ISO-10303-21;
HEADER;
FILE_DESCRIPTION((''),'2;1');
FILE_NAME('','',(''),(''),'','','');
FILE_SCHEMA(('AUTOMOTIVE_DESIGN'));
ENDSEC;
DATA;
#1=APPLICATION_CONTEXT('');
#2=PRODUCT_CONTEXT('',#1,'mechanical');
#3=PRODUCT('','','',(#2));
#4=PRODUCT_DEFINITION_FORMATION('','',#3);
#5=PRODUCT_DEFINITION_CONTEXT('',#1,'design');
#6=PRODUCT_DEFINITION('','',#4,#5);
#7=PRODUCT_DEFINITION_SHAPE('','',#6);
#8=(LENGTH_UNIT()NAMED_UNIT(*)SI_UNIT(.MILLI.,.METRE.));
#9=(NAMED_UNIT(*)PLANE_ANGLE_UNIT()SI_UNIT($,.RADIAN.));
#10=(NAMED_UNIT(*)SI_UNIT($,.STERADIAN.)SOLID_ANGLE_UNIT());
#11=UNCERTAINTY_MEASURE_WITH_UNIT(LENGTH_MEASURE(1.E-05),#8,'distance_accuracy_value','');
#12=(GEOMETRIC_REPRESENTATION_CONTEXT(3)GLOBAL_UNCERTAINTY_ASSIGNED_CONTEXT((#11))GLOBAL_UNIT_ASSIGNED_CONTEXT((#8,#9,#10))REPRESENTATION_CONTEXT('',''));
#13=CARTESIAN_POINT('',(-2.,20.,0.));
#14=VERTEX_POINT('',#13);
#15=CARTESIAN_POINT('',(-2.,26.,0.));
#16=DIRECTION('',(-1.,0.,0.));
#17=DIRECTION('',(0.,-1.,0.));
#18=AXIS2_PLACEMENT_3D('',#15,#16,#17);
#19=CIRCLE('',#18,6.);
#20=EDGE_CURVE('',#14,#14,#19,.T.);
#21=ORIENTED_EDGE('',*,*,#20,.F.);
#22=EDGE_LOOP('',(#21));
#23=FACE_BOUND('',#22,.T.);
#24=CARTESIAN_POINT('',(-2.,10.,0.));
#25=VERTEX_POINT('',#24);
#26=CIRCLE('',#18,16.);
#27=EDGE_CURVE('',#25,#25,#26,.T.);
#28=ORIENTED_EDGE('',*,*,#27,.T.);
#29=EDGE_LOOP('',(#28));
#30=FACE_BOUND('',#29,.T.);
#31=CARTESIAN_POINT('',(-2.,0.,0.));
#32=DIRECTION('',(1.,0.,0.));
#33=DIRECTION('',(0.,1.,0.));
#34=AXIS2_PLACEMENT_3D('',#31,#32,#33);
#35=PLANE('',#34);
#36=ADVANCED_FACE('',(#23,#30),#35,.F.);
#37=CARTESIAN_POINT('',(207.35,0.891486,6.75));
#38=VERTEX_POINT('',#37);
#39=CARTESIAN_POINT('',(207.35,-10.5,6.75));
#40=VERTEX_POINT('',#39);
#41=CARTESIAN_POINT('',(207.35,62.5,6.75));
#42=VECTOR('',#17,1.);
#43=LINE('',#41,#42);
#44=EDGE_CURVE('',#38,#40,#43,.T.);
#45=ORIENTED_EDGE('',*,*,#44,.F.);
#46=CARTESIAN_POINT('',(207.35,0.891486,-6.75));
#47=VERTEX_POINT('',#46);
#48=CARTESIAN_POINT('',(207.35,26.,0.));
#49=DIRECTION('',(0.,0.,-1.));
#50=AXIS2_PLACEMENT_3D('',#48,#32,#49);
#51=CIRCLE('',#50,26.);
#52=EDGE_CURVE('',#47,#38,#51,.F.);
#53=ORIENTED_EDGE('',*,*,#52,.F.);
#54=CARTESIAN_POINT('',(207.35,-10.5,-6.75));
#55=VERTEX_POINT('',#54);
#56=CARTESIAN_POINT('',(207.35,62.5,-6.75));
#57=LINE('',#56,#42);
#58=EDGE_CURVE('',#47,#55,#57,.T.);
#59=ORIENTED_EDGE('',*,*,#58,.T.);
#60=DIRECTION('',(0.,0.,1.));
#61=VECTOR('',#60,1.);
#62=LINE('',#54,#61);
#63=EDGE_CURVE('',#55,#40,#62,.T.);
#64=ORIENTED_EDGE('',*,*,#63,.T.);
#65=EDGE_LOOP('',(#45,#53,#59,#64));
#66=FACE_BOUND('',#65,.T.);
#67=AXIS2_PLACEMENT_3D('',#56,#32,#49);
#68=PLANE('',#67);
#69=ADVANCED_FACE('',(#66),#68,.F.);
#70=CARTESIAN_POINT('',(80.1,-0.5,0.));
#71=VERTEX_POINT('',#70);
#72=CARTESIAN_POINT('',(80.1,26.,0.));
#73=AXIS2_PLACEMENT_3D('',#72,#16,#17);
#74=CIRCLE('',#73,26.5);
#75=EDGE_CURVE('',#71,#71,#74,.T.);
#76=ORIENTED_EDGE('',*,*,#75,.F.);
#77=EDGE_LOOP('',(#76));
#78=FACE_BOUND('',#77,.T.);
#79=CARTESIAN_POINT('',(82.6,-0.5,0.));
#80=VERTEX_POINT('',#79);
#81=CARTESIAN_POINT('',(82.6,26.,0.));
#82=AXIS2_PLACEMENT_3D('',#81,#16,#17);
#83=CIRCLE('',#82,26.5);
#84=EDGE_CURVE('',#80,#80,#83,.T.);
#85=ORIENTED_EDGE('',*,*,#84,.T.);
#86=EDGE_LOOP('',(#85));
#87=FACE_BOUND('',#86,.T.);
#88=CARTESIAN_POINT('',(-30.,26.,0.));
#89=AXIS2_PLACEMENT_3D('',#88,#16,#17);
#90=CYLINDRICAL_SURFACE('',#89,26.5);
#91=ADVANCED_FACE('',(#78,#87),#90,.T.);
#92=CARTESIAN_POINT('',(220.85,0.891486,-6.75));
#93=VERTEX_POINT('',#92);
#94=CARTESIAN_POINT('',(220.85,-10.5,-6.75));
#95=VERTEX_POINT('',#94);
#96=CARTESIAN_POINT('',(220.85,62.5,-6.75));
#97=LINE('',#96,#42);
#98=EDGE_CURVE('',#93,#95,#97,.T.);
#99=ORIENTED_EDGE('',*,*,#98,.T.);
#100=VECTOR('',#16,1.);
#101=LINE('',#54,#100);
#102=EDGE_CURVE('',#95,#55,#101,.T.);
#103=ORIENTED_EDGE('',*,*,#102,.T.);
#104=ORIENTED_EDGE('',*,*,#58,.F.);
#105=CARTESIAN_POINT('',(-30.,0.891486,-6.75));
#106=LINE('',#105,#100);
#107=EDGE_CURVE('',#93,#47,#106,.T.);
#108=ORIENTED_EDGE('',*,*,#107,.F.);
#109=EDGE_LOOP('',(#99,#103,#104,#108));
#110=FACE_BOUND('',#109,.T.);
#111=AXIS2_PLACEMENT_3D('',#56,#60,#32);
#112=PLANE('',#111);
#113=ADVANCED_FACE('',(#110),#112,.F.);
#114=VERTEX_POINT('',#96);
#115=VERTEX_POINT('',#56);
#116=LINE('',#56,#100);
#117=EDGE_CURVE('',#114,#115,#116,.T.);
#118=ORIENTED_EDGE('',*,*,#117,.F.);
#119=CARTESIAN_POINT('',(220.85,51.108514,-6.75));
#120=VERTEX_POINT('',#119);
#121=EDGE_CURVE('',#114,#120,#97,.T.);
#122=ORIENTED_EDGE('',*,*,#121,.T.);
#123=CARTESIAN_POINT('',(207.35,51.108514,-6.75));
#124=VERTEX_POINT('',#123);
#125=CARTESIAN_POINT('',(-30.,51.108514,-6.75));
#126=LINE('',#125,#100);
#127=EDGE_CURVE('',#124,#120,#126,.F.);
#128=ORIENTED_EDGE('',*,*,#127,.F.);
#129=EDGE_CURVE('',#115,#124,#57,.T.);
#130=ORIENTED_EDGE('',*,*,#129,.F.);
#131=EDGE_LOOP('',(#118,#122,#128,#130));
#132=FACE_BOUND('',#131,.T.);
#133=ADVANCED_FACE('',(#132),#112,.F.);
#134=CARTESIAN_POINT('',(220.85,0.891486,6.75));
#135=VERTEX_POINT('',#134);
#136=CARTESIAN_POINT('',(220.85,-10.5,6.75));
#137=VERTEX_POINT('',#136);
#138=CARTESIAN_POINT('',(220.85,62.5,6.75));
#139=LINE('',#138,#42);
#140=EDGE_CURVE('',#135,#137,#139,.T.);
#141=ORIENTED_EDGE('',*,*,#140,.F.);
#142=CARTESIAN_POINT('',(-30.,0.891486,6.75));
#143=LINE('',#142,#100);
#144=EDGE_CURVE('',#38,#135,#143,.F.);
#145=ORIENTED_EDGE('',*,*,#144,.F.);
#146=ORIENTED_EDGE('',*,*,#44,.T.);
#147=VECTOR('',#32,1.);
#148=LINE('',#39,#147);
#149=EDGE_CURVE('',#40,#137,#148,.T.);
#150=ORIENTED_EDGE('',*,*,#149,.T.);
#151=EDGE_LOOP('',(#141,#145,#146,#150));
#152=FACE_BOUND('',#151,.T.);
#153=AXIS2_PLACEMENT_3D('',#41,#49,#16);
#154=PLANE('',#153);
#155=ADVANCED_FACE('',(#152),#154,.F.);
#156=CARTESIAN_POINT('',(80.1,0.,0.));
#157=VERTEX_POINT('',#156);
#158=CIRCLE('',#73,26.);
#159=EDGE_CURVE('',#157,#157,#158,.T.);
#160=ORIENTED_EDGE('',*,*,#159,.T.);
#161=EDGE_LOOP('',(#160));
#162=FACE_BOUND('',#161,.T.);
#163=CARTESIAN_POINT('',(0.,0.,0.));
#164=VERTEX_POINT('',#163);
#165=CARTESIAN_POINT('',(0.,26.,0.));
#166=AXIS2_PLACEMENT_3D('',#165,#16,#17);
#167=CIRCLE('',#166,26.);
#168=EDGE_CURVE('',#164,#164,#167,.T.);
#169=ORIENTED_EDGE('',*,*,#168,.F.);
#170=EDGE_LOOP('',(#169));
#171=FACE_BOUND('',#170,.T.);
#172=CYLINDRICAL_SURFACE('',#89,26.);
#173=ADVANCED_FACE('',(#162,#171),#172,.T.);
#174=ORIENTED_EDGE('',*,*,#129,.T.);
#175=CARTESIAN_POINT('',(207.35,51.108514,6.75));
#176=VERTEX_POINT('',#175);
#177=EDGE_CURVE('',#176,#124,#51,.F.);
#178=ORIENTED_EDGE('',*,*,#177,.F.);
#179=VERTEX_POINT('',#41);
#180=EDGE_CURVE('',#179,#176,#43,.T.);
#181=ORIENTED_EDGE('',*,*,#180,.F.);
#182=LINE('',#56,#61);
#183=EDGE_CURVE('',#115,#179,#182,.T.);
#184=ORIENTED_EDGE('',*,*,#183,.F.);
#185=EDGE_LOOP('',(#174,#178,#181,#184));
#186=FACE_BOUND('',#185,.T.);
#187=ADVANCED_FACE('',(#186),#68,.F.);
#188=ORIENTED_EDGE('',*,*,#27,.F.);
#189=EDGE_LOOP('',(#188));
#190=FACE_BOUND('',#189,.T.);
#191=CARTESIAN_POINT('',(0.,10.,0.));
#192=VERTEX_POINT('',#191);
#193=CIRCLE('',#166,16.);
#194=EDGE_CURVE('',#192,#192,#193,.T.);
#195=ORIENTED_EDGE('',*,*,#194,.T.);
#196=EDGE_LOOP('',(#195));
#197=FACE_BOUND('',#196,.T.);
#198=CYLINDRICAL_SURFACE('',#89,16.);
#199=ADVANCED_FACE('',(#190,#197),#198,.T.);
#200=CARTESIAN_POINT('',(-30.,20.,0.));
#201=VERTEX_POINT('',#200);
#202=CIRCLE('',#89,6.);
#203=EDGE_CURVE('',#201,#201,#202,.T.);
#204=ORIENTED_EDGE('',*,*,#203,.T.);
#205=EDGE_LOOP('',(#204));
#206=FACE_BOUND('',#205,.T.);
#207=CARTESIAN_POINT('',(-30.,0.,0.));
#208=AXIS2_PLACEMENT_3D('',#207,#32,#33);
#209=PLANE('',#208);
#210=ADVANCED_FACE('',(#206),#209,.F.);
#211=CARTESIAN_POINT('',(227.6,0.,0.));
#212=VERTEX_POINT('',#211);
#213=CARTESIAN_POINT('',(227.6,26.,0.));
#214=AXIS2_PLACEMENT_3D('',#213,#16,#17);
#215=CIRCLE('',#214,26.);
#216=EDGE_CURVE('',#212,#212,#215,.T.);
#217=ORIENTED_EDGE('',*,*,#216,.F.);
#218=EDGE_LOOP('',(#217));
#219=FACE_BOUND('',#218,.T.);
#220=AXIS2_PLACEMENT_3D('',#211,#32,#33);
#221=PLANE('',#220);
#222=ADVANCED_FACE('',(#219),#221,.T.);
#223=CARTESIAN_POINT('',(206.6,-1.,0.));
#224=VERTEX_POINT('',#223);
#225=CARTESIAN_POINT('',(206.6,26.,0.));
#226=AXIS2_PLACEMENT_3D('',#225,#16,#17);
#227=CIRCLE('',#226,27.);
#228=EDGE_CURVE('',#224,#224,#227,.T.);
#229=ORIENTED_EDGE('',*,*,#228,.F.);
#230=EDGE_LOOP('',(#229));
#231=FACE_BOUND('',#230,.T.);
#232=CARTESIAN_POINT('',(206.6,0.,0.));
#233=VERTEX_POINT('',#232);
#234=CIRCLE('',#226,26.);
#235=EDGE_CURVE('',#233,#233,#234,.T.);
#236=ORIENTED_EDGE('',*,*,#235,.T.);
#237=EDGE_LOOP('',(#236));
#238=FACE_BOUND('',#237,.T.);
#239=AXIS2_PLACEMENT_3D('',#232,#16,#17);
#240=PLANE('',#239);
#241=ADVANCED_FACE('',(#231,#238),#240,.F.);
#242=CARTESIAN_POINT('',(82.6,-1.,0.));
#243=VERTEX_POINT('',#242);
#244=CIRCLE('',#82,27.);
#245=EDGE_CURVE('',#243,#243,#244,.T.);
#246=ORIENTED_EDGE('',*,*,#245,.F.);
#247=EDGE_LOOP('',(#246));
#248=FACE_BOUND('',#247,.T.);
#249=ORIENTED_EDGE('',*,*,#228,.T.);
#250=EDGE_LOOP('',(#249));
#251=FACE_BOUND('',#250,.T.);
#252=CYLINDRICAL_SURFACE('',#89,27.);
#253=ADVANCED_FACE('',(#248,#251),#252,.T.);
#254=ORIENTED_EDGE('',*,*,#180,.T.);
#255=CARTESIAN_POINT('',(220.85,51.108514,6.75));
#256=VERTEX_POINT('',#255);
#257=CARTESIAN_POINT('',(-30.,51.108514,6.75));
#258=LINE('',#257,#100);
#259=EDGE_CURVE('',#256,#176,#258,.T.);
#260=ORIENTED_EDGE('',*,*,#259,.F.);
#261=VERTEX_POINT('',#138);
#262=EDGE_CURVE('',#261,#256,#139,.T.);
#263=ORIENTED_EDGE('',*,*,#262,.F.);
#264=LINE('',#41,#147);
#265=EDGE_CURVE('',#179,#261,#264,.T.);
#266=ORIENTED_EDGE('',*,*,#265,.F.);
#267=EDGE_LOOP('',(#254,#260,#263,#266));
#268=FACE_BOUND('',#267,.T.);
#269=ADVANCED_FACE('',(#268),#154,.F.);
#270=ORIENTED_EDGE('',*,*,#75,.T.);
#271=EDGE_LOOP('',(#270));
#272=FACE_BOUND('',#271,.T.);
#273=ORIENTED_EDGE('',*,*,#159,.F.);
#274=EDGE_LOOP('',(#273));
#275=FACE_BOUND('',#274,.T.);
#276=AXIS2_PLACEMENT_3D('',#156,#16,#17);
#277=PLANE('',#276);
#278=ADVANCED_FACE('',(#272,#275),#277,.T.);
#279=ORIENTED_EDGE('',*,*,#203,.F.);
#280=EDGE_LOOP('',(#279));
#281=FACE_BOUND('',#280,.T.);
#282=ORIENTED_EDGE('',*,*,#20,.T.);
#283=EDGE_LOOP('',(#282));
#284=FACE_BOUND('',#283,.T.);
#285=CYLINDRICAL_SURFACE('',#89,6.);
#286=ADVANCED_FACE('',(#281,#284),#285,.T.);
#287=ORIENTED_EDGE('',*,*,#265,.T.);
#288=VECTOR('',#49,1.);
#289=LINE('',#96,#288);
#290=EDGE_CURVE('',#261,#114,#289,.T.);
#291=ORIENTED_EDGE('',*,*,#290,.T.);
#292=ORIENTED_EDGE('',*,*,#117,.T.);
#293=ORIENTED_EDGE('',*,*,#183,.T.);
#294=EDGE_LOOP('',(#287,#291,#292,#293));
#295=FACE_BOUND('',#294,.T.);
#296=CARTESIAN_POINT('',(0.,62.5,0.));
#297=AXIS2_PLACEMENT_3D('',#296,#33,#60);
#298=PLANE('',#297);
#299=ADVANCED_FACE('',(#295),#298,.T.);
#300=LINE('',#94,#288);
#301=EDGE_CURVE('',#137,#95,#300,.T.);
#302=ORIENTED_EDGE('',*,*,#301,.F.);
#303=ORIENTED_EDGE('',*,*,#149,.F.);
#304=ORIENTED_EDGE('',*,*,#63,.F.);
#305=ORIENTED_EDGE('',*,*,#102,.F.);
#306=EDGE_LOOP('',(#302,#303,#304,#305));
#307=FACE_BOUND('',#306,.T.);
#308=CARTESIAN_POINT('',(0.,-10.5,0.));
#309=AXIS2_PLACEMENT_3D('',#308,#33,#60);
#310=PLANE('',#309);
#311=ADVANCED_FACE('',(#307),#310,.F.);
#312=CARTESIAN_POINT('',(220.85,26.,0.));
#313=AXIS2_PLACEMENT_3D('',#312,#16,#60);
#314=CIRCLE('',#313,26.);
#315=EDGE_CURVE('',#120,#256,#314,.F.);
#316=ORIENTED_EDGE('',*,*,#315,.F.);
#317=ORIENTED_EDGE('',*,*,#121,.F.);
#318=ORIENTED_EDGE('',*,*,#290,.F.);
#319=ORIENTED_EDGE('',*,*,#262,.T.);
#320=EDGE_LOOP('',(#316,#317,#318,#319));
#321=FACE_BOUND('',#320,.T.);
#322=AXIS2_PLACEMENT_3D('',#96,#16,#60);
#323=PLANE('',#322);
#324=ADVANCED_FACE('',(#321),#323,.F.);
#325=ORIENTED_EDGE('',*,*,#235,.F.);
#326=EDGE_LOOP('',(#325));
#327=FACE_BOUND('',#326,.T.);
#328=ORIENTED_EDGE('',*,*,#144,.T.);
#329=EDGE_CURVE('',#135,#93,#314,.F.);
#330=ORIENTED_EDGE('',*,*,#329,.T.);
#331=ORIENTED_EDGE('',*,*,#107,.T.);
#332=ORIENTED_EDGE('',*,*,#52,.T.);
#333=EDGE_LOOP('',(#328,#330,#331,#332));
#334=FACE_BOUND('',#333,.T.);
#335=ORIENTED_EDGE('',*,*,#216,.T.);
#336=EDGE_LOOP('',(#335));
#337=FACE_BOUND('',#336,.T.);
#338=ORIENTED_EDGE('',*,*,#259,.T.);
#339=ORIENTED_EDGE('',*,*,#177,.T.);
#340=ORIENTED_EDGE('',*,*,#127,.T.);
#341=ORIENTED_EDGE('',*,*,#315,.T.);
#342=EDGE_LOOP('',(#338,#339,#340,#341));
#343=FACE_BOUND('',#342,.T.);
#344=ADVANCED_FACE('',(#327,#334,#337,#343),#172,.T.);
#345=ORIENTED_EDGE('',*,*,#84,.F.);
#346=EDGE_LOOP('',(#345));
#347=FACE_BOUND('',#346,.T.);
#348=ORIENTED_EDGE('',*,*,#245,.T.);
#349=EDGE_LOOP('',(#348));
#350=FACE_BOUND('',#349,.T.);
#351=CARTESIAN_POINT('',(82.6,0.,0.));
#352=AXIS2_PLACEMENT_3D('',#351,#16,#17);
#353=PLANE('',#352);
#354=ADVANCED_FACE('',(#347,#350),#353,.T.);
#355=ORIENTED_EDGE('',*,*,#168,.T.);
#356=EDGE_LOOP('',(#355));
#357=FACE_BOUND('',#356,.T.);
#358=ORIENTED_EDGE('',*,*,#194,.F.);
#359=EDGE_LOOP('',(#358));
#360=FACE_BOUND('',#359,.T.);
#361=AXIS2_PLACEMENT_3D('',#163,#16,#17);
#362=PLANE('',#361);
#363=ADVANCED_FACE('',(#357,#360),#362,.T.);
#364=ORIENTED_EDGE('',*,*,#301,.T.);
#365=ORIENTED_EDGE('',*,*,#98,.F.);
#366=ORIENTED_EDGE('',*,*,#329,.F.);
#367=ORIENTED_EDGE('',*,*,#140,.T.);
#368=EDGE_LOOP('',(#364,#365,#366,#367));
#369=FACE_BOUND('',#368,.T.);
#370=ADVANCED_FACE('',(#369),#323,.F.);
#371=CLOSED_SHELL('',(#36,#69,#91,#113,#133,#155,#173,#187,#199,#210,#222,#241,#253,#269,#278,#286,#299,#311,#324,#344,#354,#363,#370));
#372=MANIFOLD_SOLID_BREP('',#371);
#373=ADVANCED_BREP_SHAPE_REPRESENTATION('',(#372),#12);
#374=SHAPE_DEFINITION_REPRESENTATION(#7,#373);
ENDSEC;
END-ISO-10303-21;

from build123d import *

# Parameters (mm, degrees)
SKETCH1_W           = 21
SKETCH1_H           = 26
SKETCH1_W_2         = 28
SKETCH1_H_2         = 6
BOSS_EXTRUDE1_START = 26
SKETCH2_W           = 13.5
SKETCH2_H           = 13.5
BOSS_EXTRUDE1_DEPTH = 36.5


with BuildPart() as part:
    # Sketch1 → Revolve1 (revolve)
    with BuildSketch(Plane.XY, mode=Mode.PRIVATE) as revolve1_sk:
        with Locations((217.1, 39)):
            Rectangle(SKETCH1_W, SKETCH1_H)
        Polygon((82.6, 52.5), (82.6, 26), (206.6, 26), (206.6, 52), (206.6, 53), (82.6, 53), align=None)
        Polygon((80.1, 52), (80.1, 26), (82.6, 26), (82.6, 52.5), (80.1, 52.5), align=None)
        Polygon((0, 42), (0, 26), (80.1, 26), (80.1, 52), (0, 52), align=None)
        Polygon((-2, 32), (-2, 26), (0, 26), (0, 42), (-2, 42), align=None)
        with Locations((-16, 29)):
            Rectangle(SKETCH1_W_2, SKETCH1_H_2)
    revolve(revolve1_sk.sketch.rotate(Axis((-30, 26, 0), (1, 0, 0)), 180), axis=Axis((-30, 26, 0), (1, 0, 0)))

    # Sketch2 → Boss-Extrude1 (add, symmetric)
    with BuildSketch(Plane(origin=(0, 0, 0), x_dir=(1, 0, 0), z_dir=(0, 1, 0)).offset(BOSS_EXTRUDE1_START)):
        with Locations((214.1, 0)):
            Rectangle(SKETCH2_W, SKETCH2_H)
    extrude(amount=BOSS_EXTRUDE1_DEPTH, both=True)


solid = part.part
